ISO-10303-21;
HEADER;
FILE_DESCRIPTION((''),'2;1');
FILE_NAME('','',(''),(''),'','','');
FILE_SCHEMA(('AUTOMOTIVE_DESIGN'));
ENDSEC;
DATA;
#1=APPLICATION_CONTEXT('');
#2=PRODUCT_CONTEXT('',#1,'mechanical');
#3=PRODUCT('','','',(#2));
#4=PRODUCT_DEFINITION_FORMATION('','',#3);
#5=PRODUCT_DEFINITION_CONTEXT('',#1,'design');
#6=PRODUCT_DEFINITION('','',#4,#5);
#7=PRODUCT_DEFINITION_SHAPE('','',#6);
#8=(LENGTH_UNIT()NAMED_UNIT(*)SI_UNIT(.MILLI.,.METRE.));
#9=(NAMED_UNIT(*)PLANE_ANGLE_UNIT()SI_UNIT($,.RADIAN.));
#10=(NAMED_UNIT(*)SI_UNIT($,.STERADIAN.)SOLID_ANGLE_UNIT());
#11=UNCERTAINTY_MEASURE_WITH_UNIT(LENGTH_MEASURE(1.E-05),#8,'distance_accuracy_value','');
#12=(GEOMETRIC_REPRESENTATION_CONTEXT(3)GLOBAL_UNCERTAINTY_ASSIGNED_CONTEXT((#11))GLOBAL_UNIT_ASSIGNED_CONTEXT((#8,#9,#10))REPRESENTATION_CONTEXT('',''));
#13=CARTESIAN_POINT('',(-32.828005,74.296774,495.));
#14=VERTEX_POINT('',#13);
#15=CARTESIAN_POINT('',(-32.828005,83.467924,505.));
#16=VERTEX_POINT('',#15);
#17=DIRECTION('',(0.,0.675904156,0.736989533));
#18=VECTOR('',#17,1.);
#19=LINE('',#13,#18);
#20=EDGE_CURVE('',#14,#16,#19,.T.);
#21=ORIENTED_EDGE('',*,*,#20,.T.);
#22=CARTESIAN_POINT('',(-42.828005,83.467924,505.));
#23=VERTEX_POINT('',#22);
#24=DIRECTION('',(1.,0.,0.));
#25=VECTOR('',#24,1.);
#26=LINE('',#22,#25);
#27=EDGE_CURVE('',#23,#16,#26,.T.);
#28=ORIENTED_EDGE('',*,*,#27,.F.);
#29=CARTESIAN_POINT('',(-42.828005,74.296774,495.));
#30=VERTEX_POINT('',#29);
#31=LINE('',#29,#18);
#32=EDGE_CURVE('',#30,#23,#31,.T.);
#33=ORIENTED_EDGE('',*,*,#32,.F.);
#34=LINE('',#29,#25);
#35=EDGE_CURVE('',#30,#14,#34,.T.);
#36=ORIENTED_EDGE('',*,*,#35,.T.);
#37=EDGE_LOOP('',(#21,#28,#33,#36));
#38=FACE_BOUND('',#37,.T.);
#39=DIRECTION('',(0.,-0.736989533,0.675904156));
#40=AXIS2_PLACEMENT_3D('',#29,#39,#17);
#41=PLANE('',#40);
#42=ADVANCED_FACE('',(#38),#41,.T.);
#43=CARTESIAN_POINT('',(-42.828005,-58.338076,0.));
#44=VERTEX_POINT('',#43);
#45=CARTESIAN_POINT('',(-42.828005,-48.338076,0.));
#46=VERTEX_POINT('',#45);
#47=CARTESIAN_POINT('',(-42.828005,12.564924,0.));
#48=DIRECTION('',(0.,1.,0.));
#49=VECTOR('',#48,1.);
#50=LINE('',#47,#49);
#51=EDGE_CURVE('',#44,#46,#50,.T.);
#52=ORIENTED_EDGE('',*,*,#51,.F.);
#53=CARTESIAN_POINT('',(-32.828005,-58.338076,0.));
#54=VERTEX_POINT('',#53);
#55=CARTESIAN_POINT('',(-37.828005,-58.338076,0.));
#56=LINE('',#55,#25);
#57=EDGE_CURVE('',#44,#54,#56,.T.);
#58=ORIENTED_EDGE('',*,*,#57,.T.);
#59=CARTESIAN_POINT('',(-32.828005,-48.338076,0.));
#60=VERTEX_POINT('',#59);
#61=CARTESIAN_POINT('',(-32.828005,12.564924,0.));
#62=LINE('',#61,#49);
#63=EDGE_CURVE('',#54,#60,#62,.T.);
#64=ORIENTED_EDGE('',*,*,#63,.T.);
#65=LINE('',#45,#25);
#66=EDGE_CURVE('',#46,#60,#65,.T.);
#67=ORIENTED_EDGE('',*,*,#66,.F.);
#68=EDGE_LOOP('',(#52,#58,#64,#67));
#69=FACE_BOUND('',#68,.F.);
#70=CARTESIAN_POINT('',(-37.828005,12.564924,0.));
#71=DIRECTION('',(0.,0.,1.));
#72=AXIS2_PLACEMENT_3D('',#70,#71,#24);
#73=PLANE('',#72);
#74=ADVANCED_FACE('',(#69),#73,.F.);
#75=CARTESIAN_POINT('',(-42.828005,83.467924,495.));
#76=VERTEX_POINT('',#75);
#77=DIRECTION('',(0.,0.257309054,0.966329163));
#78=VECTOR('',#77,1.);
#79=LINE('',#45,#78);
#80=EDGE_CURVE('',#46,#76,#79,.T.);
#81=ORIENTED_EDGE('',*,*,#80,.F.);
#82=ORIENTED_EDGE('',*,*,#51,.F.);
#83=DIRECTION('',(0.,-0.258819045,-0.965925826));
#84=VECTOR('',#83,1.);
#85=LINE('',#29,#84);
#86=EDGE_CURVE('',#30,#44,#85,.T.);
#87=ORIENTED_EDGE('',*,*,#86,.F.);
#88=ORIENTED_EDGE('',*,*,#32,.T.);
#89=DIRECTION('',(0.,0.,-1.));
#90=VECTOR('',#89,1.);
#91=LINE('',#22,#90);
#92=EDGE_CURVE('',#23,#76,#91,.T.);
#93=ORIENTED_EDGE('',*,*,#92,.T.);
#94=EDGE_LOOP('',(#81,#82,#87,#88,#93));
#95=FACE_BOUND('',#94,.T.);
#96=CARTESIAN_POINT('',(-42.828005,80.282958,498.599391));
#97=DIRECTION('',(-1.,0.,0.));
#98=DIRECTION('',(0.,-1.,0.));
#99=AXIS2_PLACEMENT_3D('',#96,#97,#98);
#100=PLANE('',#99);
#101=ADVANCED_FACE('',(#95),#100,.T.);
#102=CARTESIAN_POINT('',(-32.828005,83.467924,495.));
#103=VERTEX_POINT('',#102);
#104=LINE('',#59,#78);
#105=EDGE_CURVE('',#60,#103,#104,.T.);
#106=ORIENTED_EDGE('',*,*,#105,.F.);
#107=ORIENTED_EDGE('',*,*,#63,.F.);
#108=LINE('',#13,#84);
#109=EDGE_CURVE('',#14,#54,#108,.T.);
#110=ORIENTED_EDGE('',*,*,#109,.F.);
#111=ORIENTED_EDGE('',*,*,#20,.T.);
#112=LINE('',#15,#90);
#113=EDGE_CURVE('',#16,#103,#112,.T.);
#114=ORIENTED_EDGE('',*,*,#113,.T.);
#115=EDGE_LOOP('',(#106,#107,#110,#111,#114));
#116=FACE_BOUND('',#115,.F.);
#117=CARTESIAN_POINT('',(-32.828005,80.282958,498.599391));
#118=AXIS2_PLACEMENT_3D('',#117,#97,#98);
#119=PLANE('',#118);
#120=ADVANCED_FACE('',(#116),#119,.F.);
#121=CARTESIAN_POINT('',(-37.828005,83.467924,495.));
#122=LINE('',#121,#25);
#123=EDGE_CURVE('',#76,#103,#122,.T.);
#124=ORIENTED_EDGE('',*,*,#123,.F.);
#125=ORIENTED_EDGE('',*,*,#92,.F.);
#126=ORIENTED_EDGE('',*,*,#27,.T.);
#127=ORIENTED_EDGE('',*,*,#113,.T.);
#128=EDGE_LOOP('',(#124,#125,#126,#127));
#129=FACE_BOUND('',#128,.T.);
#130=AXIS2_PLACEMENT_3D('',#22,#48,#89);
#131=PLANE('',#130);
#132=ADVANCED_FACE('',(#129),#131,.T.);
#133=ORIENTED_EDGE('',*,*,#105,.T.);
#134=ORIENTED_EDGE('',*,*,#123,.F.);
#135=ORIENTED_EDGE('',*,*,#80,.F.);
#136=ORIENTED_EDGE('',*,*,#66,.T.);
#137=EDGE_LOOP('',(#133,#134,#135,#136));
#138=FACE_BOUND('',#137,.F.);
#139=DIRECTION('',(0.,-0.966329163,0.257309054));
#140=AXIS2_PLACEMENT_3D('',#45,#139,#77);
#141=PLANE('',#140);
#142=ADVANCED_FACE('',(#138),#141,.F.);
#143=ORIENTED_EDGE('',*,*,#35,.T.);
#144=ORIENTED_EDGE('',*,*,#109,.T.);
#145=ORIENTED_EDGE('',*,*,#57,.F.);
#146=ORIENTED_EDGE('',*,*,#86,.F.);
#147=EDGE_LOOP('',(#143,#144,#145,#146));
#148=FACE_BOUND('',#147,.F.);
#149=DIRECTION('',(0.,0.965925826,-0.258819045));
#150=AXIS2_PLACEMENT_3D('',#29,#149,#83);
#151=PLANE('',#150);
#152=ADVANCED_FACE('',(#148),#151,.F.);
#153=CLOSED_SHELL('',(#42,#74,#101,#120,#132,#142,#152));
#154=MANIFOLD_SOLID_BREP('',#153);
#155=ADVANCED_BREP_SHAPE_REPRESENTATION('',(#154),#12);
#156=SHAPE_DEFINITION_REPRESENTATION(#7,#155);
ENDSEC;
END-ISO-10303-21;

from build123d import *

# Parameters (mm, degrees)
F0_W     = 10
F0_H     = 141.806
F1_DEPTH = 495
F3_DEPTH = 10
F5_DEPTH = 10


with BuildPart() as f1:
    # F0 (on Top) → F1 (new body)
    with BuildSketch(Plane.XY):
        with Locations((-37.828005, 12.564924)):
            Rectangle(F0_W, F0_H)
    extrude(amount=F1_DEPTH)

    # F2 (on face) → F3 (cut)
    with BuildSketch(Plane(origin=(-42.828005, 0, 0), x_dir=(0, -1, 0), z_dir=(-1, 0, 0))):
        Polygon((-83.467924, 0), (48.338076, 0), (-83.467924, 495), align=None)
        Polygon((-74.296774, 495), (58.338076, 0), (58.338076, 495), align=None)
    extrude(amount=-F3_DEPTH, mode=Mode.SUBTRACT)

    # F4 (on face) → F5 (join)
    with BuildSketch(Plane(origin=(-42.828005, 0, 0), x_dir=(0, -1, 0), z_dir=(-1, 0, 0))):
        Polygon((-83.467924, 505), (-83.467924, 495), (-74.296774, 495), align=None)
    extrude(amount=-F5_DEPTH)


solid = f1.part
